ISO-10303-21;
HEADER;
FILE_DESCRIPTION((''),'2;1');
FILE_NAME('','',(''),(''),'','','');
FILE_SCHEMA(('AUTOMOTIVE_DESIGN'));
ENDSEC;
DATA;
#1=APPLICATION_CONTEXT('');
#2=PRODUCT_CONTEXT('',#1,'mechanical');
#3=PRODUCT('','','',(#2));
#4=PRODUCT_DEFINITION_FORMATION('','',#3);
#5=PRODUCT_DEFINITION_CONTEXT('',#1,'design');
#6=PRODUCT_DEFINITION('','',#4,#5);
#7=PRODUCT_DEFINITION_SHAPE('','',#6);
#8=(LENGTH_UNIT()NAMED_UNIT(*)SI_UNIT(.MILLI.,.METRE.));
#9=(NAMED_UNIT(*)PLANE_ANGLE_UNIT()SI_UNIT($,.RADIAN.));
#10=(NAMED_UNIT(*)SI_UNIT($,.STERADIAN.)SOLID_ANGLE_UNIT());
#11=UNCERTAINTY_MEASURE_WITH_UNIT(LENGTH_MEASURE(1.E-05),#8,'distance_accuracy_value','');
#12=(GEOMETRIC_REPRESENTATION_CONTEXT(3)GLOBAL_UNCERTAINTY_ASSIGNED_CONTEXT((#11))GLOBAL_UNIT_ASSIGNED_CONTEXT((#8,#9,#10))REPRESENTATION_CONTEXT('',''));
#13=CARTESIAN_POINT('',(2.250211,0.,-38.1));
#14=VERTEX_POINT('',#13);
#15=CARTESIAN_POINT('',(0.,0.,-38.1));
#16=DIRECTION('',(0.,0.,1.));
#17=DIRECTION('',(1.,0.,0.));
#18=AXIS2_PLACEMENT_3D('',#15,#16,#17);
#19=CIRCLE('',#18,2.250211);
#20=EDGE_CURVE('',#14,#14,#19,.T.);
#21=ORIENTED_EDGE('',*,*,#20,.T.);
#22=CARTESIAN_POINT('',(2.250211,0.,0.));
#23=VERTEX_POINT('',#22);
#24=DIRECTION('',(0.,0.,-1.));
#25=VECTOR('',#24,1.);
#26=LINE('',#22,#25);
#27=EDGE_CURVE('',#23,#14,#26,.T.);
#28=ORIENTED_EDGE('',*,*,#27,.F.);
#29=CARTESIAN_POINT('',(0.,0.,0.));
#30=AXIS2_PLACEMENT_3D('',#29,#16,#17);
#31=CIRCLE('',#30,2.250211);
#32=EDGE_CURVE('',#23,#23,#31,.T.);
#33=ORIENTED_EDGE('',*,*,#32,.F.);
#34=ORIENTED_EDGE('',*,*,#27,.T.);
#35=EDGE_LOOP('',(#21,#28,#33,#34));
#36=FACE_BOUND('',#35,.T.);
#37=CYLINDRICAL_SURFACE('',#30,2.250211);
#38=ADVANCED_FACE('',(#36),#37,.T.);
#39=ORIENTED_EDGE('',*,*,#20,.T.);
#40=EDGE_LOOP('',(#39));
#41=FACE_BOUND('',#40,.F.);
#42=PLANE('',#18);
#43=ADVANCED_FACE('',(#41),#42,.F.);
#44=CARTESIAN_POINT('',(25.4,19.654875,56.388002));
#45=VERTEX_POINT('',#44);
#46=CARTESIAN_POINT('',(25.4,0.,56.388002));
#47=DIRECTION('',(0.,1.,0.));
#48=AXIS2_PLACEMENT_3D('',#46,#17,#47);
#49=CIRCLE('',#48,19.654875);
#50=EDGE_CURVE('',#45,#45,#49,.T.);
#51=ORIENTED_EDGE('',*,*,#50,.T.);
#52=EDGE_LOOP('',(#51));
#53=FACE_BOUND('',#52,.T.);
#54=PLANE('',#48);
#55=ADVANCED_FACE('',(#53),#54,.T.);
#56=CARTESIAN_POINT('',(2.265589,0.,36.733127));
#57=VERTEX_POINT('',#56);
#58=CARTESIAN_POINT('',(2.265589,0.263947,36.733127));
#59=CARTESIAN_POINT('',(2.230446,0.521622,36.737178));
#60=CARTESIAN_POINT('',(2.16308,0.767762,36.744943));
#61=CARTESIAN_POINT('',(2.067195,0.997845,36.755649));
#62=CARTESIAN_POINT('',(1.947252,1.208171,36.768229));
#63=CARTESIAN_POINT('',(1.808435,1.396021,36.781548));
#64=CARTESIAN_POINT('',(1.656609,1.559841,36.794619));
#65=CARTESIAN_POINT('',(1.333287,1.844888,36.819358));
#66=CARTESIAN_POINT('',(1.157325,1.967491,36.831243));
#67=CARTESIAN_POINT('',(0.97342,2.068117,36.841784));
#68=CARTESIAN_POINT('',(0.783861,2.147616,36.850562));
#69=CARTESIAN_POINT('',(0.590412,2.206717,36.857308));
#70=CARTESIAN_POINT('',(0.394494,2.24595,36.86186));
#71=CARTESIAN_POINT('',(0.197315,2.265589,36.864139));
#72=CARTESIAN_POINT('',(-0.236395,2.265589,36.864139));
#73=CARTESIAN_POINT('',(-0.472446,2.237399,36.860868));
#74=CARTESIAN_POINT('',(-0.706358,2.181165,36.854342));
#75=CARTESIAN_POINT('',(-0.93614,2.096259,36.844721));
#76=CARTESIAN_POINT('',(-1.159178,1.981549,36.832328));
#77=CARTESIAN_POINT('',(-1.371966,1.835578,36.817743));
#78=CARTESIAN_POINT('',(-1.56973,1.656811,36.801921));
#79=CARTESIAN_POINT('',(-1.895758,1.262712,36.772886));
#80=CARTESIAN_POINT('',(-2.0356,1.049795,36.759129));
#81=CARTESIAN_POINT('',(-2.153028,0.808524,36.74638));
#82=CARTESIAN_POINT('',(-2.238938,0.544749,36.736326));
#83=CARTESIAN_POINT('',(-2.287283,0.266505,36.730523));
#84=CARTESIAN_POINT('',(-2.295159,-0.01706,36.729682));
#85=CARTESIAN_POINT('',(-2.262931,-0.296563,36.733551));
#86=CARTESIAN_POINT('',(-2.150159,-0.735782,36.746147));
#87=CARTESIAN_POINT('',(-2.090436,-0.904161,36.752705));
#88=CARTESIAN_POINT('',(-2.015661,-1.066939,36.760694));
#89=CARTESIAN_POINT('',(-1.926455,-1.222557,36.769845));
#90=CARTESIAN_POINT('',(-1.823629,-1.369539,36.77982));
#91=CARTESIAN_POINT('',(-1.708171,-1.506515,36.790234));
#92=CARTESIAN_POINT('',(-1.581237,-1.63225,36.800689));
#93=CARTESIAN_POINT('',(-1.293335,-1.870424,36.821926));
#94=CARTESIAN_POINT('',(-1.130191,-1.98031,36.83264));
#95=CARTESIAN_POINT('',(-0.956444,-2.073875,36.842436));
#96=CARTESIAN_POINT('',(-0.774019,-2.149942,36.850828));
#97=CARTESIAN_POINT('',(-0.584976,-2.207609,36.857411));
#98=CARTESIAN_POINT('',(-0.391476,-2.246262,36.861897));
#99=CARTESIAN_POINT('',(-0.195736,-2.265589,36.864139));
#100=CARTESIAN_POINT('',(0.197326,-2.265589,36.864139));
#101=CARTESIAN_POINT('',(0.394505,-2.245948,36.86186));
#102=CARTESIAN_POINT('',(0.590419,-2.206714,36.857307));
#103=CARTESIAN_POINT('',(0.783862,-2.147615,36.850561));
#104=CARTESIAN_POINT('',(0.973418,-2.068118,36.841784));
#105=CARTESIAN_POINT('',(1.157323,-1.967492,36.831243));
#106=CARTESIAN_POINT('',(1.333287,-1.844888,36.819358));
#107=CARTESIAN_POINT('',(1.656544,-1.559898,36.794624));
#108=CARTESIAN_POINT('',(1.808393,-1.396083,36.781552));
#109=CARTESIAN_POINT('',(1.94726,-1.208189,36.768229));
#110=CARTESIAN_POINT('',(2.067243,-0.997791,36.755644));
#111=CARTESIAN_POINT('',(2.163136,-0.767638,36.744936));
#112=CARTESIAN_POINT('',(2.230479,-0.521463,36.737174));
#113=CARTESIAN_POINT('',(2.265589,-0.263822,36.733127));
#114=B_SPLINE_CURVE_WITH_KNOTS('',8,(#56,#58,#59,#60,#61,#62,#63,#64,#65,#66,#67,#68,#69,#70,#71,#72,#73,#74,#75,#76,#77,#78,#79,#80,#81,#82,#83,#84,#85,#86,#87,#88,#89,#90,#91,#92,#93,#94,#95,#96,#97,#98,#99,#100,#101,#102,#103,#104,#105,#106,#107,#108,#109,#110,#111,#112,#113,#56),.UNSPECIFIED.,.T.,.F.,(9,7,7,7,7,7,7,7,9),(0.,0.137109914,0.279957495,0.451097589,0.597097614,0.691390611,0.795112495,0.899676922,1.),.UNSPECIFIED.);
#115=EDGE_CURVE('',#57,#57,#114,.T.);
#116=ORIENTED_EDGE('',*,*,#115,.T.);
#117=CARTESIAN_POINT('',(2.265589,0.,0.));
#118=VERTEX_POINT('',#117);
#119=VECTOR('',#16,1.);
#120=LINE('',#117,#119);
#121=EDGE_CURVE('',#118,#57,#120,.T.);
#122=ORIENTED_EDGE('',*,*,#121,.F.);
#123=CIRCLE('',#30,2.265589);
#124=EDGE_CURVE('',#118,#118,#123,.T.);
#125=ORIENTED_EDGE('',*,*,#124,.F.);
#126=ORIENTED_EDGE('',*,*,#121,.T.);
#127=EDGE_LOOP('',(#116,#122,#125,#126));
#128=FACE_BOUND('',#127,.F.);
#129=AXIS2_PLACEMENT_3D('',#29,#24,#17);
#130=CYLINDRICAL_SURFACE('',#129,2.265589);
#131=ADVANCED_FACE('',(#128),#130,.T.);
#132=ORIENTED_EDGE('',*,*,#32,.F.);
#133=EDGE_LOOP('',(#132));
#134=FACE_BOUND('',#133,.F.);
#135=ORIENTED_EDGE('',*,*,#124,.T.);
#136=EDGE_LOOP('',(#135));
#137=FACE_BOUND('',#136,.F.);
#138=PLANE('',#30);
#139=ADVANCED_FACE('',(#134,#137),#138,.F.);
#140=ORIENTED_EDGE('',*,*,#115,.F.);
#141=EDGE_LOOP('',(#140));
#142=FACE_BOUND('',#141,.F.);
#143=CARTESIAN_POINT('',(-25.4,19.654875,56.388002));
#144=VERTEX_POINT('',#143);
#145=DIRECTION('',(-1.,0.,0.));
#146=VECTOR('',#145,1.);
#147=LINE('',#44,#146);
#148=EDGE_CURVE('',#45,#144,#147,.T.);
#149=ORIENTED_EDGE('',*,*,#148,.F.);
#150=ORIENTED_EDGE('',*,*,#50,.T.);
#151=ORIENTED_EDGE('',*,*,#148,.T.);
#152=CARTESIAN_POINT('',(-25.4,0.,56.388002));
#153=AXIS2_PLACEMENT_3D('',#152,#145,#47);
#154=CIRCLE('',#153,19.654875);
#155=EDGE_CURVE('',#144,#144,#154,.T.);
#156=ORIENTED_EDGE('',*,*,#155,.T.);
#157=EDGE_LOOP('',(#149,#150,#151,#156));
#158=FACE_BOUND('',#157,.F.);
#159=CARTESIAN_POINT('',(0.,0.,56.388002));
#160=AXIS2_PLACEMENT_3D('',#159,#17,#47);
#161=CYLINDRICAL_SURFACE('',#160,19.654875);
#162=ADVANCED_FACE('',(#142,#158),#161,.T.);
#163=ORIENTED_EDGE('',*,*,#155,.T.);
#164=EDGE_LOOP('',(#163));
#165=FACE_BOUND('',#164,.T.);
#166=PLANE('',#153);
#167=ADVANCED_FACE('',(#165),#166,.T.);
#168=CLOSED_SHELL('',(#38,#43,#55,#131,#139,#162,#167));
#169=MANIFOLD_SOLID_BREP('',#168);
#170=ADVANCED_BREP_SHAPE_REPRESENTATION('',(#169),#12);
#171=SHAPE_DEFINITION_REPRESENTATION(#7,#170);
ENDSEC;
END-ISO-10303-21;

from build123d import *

# Parameters (mm, degrees)
F0_R      = 19.654875
F1_DEPTH  = 25.4
F1_FACE_R = 19.654875
F2_DEPTH  = 25.4
F3_R      = 2.265589
F4_DEPTH  = 50.8
F5_R      = 2.250211
F6_DEPTH  = 38.1


with BuildPart() as f1:
    # F0 (on Right) → F1 (new body)
    with BuildSketch(Plane.YZ):
        with Locations((0, 56.388002)):
            Circle(F0_R)
    extrude(amount=F1_DEPTH)

    # F1_face (on face) → F2 (join)
    with BuildSketch(Plane(origin=(0, 0, 56.388002), x_dir=(0, 1, 0), z_dir=(-1, 0, 0))):
        Circle(F1_FACE_R)
    extrude(amount=F2_DEPTH)

    # F3 (on Top) → F4 (join)
    with BuildSketch(Plane.XY):
        Circle(F3_R)
    extrude(amount=F4_DEPTH)

    # F5 (on Top) → F6 (join)
    with BuildSketch(Plane.XY):
        Circle(F5_R)
    extrude(amount=-F6_DEPTH)


solid = f1.part
